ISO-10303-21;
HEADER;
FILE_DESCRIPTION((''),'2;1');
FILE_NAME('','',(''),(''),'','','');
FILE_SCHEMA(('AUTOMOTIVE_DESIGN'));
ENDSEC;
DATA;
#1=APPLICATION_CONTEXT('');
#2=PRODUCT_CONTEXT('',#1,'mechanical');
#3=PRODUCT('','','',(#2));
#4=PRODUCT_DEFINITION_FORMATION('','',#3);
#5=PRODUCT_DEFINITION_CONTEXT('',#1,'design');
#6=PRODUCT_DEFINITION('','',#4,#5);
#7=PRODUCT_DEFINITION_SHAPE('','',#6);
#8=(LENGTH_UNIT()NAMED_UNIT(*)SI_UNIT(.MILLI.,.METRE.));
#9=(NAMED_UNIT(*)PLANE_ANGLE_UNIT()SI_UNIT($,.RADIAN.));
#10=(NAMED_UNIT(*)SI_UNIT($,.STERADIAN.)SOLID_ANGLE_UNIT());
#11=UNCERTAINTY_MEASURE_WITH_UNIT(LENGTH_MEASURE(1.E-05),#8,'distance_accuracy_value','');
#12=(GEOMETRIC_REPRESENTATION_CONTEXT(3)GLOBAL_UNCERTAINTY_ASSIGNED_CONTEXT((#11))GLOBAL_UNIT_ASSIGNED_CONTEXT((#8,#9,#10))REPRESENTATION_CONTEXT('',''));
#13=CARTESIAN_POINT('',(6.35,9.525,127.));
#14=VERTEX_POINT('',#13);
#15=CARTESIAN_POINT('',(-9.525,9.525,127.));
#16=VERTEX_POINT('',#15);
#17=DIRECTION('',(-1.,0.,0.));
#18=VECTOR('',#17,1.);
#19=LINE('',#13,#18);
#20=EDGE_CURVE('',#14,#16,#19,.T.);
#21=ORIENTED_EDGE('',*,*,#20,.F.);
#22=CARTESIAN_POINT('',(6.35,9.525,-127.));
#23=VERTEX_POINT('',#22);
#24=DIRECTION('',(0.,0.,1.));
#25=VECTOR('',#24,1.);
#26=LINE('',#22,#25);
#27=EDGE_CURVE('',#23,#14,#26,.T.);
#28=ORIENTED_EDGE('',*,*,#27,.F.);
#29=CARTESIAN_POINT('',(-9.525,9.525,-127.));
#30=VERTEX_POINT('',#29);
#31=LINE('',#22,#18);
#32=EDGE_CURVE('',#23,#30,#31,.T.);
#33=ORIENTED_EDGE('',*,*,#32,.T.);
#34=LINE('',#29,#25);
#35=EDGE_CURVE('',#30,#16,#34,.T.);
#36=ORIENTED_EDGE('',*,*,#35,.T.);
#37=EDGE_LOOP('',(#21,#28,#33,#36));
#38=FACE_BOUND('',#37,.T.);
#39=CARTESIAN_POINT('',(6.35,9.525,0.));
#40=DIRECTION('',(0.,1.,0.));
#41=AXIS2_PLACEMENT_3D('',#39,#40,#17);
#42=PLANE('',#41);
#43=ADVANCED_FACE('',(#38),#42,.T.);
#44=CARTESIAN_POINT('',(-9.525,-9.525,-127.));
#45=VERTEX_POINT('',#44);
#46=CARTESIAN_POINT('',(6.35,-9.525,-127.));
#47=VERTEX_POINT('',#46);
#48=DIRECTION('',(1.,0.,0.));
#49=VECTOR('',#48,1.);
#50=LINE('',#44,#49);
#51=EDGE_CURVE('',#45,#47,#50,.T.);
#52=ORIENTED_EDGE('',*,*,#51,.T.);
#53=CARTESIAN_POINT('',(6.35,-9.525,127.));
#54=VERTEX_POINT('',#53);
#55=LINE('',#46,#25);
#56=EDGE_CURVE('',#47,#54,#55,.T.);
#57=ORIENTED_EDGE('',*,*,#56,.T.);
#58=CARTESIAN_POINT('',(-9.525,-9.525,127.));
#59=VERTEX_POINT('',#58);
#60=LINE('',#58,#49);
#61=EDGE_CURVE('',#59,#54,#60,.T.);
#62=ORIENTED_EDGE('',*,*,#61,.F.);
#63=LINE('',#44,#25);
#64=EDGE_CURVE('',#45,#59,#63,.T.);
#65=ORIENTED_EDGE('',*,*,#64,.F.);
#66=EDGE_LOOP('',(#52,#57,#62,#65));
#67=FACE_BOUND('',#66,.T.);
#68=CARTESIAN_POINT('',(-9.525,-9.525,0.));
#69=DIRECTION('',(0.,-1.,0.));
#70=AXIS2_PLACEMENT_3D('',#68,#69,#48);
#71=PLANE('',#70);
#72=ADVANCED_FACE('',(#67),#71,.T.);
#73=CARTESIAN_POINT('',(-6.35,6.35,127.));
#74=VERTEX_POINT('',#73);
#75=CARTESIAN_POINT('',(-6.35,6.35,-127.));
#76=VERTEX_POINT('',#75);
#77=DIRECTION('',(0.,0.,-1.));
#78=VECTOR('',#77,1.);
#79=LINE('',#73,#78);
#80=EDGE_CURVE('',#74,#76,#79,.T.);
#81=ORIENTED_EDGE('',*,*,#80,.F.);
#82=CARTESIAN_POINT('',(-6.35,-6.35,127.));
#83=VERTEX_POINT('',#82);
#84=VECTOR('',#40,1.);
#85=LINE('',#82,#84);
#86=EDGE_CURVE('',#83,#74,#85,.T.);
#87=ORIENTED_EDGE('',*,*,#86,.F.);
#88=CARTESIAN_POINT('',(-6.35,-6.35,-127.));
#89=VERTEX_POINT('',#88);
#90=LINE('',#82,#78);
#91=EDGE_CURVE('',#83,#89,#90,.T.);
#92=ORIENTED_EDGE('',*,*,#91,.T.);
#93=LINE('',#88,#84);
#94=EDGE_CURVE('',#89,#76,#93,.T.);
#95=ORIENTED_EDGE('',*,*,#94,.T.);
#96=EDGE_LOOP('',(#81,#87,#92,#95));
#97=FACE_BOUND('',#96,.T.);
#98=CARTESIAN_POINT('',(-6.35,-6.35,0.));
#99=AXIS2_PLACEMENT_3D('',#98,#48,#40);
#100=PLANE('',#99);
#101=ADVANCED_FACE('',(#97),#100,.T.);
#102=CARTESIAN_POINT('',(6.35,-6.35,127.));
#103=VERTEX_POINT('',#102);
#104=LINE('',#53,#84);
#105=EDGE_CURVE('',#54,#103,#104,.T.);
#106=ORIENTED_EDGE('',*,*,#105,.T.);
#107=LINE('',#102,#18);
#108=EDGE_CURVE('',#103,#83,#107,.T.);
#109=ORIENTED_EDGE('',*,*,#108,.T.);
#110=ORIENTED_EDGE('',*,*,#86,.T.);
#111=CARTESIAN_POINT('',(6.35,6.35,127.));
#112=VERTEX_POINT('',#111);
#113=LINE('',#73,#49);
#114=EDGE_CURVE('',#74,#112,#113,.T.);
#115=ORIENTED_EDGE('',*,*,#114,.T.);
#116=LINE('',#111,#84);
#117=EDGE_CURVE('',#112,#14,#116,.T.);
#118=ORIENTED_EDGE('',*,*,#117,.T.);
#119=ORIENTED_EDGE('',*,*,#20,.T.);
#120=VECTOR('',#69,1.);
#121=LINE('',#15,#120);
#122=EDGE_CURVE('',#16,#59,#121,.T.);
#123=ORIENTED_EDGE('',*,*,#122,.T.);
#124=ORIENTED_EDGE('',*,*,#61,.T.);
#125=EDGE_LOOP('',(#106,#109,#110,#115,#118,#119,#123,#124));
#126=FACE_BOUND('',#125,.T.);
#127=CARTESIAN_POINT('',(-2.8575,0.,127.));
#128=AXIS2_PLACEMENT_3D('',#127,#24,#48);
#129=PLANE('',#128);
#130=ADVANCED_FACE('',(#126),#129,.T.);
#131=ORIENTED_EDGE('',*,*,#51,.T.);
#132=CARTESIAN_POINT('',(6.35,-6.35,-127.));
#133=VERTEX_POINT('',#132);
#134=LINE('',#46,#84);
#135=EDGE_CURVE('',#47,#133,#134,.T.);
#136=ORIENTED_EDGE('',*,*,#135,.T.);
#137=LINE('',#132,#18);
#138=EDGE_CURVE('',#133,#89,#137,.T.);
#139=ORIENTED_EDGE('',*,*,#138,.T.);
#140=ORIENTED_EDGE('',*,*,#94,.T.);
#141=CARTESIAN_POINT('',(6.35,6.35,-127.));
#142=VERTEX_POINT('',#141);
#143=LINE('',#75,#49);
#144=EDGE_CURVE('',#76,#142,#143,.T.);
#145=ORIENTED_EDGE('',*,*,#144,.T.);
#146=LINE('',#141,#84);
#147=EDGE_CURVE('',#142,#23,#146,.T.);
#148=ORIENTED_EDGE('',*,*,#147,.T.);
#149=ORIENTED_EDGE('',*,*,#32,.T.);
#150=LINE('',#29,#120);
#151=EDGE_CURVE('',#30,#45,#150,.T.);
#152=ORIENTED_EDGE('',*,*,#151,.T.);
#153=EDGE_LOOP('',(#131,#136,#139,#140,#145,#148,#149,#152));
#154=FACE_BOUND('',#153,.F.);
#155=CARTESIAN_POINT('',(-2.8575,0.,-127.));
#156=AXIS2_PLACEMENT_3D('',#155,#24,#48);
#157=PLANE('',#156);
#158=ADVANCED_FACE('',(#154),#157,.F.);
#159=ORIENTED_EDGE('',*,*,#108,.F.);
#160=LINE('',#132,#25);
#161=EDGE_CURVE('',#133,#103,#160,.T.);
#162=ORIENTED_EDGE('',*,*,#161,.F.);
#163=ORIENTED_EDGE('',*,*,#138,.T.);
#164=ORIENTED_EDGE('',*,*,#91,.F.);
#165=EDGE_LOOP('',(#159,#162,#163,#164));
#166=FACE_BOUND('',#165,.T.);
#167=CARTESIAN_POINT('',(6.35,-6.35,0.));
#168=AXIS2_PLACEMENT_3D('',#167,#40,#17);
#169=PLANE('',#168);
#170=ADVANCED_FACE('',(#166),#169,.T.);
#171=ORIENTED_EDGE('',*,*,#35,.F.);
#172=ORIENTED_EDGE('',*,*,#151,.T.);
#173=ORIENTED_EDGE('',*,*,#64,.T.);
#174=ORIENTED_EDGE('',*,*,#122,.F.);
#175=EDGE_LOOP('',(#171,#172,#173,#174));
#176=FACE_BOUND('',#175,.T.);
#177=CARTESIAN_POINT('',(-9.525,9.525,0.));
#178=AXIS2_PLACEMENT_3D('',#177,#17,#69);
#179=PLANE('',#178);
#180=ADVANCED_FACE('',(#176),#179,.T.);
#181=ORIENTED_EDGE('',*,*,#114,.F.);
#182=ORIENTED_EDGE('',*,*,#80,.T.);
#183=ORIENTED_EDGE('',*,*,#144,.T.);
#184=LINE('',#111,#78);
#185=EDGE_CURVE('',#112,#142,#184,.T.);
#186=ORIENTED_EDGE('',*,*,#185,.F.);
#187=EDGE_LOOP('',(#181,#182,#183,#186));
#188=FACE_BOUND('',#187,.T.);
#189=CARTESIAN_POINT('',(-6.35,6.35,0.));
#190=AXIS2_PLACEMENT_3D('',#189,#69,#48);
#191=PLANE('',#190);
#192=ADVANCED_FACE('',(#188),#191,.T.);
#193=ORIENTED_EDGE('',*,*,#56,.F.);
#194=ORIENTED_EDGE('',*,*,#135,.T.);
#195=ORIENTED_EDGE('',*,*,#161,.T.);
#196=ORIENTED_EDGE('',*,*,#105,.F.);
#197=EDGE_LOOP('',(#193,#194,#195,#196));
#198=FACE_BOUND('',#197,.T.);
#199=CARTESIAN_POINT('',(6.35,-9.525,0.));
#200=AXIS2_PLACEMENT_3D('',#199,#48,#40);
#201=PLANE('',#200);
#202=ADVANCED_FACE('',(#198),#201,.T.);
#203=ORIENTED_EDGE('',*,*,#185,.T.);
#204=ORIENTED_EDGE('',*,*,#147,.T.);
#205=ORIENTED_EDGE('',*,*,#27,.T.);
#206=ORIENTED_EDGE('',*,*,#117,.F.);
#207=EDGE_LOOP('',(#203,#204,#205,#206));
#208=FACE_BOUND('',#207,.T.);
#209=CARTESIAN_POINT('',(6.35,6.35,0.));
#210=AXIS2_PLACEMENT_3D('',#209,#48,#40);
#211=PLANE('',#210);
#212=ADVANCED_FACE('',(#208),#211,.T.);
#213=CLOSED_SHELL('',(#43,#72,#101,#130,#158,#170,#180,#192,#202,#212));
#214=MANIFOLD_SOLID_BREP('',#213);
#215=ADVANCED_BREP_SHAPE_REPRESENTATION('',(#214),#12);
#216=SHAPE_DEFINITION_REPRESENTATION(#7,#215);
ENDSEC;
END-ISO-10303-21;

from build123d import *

# Parameters (mm, degrees)
F1_DEPTH = 127


with BuildPart() as f1:
    # F0 (on Top) → F1 (new body, symmetric)
    with BuildSketch(Plane.XY):
        Polygon((6.35, 6.35), (6.35, 9.525), (-9.525, 9.525), (-9.525, -9.525), (6.35, -9.525), (6.35, -6.35), (-6.35, -6.35), (-6.35, 6.35), align=None)
    extrude(amount=F1_DEPTH, both=True)


solid = f1.part
